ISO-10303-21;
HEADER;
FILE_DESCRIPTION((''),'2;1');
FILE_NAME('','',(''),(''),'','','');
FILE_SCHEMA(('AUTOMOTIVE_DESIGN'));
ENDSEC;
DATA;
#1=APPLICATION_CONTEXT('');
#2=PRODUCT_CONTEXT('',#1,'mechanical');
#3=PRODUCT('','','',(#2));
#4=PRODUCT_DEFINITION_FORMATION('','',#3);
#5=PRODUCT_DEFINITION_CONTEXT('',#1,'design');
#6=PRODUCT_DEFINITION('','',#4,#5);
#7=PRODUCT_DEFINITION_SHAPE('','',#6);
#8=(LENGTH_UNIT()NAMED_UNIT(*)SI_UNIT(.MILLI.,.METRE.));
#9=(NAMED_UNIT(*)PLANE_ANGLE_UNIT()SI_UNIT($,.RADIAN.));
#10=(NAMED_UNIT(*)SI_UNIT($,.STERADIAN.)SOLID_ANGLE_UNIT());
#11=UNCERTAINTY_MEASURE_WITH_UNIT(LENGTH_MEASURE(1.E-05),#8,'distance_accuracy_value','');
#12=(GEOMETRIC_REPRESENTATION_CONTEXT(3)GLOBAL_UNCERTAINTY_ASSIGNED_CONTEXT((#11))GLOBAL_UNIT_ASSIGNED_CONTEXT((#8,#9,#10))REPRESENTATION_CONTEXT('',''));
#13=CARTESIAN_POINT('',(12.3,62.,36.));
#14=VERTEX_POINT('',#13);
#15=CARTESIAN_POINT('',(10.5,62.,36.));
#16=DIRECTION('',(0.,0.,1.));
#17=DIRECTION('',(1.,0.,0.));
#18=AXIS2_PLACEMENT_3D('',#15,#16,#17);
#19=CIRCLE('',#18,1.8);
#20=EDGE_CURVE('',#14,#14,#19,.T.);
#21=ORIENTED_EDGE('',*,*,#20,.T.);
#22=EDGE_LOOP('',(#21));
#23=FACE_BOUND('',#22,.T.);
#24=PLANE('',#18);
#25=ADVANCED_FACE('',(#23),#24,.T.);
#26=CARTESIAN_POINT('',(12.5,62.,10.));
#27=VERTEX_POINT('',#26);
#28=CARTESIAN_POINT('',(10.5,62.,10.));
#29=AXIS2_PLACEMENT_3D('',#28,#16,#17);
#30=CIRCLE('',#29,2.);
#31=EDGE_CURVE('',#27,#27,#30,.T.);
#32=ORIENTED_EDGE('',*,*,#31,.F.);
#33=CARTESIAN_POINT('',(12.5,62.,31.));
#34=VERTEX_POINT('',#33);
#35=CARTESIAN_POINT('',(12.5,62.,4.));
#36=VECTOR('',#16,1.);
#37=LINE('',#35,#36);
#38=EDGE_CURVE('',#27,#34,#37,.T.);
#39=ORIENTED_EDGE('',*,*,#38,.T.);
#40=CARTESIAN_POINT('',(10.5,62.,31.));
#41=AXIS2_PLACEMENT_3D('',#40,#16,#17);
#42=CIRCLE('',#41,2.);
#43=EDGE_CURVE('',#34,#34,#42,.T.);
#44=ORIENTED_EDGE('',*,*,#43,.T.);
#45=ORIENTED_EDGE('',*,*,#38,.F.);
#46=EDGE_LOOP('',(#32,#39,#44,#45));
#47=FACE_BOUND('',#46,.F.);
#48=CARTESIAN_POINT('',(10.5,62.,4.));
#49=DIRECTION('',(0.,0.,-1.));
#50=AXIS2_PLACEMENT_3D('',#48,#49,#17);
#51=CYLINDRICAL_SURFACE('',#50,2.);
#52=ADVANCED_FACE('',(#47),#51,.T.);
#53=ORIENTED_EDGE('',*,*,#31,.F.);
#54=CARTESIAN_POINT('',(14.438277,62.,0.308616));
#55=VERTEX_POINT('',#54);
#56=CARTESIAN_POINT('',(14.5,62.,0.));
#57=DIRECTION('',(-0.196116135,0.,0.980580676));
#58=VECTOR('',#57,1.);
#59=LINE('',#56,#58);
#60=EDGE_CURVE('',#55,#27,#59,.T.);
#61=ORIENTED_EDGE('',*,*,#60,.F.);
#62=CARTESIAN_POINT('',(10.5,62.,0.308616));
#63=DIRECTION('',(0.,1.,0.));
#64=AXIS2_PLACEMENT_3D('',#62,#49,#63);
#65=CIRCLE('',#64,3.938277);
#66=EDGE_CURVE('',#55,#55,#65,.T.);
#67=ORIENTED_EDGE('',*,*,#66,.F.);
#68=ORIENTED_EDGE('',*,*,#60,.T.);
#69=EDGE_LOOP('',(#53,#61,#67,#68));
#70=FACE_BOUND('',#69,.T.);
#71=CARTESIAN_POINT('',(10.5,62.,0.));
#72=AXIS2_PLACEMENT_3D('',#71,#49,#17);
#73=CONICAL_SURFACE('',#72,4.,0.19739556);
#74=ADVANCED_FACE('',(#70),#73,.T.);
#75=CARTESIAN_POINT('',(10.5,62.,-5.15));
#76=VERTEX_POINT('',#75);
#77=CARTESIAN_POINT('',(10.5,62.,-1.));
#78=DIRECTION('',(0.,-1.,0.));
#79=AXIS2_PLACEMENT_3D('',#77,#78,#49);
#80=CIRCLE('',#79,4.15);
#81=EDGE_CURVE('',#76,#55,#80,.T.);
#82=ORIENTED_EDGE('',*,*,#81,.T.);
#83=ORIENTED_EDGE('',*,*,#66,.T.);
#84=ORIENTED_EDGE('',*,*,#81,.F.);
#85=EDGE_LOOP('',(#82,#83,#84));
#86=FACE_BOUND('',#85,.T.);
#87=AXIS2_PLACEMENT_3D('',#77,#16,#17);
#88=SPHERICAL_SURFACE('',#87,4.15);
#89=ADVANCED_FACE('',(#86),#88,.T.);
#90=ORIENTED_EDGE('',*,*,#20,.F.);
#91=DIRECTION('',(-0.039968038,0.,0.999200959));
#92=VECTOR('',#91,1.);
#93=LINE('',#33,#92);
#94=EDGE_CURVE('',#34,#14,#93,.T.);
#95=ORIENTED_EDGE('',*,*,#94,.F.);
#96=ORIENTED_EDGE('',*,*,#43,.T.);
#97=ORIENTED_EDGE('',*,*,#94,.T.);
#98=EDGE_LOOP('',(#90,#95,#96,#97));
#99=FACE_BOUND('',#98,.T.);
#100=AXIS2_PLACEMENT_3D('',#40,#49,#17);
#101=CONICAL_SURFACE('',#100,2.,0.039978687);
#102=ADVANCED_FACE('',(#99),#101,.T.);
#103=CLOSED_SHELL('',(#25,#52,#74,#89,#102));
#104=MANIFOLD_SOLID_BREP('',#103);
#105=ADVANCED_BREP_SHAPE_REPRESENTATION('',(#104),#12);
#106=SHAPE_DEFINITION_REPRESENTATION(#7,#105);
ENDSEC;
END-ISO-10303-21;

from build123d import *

# Parameters (mm, degrees)
CYLINDER007_R     = 2
CYLINDER007_DEPTH = 27


with BuildPart() as staebchen:
    # Cylinder007 → Cylinder007 (new body)
    with BuildSketch(Plane(origin=(10.5, 62, 4), x_dir=(1, 0, 0), z_dir=(0, 0, 1))):
        Circle(CYLINDER007_R)
    extrude(amount=CYLINDER007_DEPTH)


with BuildPart() as kugel:
    # Sphere → Sphere (revolve)
    with BuildSketch(Plane(origin=(10.5, 62, -1), x_dir=(1, 0, 0), z_dir=(0, -1, 0))):
        with BuildLine():
            ThreePointArc((0, -4.15), (4.15, 0), (0, 4.15))
            Line((0, 4.15), (0, -4.15))
        make_face()
    revolve(axis=Axis((10.5, 62, -1), (0, 0, 1)))


with BuildPart() as kegel:
    # Cone → Cone (revolve)
    with BuildSketch(Plane(origin=(10.5, 62, 0), x_dir=(1, 0, 0), z_dir=(0, -1, 0))):
        Polygon((0, 0), (4, 0), (2, 10), (0, 10), align=None)
    revolve(axis=Axis((10.5, 62, 0), (0, 0, 1)))


with BuildPart() as fusion001:
    # Cone001 → Cone001 (revolve)
    with BuildSketch(Plane(origin=(10.5, 62, 31), x_dir=(1, 0, 0), z_dir=(0, -1, 0))):
        Polygon((0, 0), (2, 0), (1.8, 5), (0, 5), align=None)
    revolve(axis=Axis((10.5, 62, 31), (0, 0, 1)))

    # Fusion001: union staebchen, Kugel, Kegel
    add(staebchen.part)
    add(kugel.part)
    add(kegel.part)


solid = fusion001.part
